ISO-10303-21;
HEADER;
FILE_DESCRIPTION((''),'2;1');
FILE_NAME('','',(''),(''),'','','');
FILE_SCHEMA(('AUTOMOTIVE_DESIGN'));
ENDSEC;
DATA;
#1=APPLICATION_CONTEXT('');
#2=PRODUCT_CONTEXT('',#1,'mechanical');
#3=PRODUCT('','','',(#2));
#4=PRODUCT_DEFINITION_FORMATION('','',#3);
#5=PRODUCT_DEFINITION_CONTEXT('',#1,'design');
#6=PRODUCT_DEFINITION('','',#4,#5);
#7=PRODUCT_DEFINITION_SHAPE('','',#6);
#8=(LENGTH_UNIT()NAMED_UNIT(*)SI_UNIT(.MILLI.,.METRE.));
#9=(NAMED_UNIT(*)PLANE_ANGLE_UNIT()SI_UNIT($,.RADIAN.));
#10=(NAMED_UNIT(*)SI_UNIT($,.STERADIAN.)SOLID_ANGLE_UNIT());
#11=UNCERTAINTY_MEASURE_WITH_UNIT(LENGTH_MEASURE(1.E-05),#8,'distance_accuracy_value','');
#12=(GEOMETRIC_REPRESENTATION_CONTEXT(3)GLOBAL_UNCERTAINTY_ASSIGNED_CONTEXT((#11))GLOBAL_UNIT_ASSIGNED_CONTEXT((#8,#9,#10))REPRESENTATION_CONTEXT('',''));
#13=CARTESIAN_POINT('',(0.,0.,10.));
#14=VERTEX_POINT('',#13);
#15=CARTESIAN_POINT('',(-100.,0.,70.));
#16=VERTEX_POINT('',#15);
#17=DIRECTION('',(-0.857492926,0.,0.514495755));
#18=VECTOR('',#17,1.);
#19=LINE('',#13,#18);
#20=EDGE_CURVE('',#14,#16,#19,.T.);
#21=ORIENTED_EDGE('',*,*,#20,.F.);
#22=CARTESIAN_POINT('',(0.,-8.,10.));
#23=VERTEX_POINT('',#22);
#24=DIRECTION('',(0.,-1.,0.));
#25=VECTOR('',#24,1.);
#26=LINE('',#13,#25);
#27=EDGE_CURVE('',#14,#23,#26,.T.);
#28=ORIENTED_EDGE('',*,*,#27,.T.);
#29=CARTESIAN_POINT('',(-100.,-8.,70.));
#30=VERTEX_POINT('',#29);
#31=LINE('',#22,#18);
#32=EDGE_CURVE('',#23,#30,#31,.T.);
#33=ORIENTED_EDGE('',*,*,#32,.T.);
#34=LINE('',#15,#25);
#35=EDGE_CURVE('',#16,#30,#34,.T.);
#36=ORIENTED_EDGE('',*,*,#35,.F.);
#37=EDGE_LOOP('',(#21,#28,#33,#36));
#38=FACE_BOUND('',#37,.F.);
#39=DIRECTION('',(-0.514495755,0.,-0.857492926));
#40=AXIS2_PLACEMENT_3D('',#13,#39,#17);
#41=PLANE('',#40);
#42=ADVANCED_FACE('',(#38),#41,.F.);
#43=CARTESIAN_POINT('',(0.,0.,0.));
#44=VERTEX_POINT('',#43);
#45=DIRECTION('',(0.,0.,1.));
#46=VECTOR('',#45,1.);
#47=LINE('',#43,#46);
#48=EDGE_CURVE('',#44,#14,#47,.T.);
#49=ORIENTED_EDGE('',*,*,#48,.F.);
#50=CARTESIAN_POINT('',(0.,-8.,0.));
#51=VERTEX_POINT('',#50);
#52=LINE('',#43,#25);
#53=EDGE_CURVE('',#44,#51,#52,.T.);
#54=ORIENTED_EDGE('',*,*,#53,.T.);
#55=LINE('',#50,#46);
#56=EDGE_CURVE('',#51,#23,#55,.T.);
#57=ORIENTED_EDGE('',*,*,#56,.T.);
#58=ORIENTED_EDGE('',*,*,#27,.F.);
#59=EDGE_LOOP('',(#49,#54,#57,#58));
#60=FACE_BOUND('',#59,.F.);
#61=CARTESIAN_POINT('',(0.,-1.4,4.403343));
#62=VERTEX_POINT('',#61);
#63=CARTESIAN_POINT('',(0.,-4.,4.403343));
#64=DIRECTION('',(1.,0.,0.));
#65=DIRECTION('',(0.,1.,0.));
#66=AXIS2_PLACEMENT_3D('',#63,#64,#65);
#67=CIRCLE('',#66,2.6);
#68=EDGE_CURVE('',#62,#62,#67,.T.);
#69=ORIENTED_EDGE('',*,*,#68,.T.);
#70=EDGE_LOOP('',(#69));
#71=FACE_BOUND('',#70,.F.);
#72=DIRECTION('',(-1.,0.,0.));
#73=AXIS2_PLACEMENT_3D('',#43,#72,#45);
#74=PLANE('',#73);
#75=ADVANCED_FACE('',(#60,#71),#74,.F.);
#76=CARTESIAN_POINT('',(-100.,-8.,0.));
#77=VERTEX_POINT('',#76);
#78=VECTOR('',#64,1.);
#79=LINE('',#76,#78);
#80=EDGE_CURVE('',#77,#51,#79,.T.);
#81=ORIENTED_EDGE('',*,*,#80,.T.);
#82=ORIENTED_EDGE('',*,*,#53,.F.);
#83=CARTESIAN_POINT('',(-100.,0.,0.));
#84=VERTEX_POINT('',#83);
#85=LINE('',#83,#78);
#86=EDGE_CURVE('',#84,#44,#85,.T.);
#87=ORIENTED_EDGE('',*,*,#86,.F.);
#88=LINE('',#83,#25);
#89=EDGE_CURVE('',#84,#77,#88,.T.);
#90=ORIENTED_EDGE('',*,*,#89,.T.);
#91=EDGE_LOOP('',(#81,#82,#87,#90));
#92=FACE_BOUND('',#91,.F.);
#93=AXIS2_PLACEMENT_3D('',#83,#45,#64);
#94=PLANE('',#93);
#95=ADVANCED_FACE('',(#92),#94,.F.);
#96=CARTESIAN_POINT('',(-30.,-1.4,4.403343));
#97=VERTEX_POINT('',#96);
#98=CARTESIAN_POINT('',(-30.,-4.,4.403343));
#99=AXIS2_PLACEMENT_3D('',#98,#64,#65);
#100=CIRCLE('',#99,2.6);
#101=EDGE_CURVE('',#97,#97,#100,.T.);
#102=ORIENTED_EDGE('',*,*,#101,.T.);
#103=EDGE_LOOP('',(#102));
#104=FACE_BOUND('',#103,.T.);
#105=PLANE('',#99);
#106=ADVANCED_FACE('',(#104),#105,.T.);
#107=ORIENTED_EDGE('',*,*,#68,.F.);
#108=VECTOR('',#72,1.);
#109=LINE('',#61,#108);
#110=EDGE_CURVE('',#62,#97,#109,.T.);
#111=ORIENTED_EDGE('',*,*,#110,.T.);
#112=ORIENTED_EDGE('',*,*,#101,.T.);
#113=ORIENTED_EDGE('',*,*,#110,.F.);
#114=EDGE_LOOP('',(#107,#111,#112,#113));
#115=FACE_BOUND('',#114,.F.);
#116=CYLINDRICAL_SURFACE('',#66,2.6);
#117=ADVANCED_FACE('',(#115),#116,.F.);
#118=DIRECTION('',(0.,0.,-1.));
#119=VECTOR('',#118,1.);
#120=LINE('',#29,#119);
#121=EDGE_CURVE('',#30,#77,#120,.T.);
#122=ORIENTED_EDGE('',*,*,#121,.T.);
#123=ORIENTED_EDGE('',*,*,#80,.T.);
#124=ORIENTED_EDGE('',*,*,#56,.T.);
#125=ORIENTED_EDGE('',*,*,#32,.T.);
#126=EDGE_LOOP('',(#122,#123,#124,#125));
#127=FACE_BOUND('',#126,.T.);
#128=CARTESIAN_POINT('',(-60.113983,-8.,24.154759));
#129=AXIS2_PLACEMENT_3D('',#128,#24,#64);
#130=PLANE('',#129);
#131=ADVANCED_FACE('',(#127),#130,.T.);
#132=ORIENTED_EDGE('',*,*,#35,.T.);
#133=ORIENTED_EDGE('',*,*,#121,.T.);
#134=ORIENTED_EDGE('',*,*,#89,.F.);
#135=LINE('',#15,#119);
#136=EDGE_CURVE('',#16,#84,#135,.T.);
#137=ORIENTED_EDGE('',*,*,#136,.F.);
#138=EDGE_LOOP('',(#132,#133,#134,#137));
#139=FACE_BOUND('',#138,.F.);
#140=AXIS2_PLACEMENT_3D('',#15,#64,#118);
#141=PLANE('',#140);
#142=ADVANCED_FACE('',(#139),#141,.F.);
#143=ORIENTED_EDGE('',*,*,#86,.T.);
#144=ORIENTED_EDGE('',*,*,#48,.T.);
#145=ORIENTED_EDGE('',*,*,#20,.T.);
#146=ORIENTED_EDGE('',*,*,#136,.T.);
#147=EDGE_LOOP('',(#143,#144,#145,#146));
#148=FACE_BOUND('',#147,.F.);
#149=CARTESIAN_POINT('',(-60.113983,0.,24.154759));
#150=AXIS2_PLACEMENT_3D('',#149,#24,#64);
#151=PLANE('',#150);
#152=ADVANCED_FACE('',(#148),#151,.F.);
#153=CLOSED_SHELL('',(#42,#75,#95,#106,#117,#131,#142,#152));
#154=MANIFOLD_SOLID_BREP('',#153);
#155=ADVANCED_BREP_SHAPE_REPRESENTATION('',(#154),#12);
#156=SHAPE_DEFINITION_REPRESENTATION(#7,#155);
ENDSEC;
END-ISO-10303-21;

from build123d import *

# Parameters (mm, degrees)
F1_DEPTH = 8
F2_R     = 2.6
F3_DEPTH = 30


with BuildPart() as f1:
    # F0 (on Front) → F1 (new body)
    with BuildSketch(Plane.XZ):
        Polygon((-100, 0), (0, 0), (0, 10), (-100, 70), align=None)
    extrude(amount=F1_DEPTH)

    # F2 (on face) → F3 (cut)
    with BuildSketch(Plane.YZ):
        with Locations((-4, 4.403343)):
            Circle(F2_R)
    extrude(amount=-F3_DEPTH, mode=Mode.SUBTRACT)


solid = f1.part
